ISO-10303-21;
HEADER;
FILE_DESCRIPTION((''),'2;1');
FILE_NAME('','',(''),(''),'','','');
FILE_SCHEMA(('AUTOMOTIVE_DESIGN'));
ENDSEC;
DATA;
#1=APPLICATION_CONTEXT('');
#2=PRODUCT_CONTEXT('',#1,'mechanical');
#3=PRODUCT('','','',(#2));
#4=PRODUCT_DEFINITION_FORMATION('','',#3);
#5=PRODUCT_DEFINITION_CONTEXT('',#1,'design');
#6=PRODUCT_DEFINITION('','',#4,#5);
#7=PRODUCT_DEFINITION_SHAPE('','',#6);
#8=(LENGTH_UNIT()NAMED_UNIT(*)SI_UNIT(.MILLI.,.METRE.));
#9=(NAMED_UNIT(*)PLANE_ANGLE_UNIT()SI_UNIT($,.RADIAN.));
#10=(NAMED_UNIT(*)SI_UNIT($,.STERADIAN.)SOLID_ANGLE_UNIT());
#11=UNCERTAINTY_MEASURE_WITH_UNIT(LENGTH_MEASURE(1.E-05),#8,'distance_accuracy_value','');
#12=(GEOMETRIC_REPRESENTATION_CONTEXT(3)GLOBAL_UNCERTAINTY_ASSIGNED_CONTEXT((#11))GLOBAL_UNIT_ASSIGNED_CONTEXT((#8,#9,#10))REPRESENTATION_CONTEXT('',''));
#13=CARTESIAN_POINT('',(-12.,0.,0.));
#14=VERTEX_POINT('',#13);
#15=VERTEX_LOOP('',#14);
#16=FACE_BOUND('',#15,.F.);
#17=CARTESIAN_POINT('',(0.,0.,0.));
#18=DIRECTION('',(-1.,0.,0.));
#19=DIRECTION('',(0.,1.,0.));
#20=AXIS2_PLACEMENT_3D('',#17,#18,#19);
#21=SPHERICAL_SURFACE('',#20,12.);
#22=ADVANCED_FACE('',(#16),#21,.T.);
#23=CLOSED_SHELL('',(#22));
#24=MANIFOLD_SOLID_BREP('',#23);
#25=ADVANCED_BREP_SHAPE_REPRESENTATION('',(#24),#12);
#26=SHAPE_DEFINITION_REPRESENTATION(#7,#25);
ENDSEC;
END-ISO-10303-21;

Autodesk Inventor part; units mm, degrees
ref_plane "YZ Plane" through (0, 0, 0) normal (1, 0, 0) x (0, 1, 0)
ref_plane "XZ Plane" through (0, 0, 0) normal (0, 1, 0) x (-1, 0, 0)
ref_plane "XY Plane" through (0, 0, 0) normal (0, 0, 1) x (1, 0, 0)
sketch "Sketch1" plane through (0, 0, 0) normal (0, 0, 1) x (1, 0, 0)
  arc A0 (12, 0) -> (-12, 0) centre (0, 0) ccw
  line L0 (-12, 0) -> (12, 0)
  dimension "d0" = 12
  dimension "d1" = 24
revolve "Revolution1" add sketch "Sketch1" angle 360 about axis through (-12, 0, 0) along (1, 0, 0)
properties part number "Ball"
